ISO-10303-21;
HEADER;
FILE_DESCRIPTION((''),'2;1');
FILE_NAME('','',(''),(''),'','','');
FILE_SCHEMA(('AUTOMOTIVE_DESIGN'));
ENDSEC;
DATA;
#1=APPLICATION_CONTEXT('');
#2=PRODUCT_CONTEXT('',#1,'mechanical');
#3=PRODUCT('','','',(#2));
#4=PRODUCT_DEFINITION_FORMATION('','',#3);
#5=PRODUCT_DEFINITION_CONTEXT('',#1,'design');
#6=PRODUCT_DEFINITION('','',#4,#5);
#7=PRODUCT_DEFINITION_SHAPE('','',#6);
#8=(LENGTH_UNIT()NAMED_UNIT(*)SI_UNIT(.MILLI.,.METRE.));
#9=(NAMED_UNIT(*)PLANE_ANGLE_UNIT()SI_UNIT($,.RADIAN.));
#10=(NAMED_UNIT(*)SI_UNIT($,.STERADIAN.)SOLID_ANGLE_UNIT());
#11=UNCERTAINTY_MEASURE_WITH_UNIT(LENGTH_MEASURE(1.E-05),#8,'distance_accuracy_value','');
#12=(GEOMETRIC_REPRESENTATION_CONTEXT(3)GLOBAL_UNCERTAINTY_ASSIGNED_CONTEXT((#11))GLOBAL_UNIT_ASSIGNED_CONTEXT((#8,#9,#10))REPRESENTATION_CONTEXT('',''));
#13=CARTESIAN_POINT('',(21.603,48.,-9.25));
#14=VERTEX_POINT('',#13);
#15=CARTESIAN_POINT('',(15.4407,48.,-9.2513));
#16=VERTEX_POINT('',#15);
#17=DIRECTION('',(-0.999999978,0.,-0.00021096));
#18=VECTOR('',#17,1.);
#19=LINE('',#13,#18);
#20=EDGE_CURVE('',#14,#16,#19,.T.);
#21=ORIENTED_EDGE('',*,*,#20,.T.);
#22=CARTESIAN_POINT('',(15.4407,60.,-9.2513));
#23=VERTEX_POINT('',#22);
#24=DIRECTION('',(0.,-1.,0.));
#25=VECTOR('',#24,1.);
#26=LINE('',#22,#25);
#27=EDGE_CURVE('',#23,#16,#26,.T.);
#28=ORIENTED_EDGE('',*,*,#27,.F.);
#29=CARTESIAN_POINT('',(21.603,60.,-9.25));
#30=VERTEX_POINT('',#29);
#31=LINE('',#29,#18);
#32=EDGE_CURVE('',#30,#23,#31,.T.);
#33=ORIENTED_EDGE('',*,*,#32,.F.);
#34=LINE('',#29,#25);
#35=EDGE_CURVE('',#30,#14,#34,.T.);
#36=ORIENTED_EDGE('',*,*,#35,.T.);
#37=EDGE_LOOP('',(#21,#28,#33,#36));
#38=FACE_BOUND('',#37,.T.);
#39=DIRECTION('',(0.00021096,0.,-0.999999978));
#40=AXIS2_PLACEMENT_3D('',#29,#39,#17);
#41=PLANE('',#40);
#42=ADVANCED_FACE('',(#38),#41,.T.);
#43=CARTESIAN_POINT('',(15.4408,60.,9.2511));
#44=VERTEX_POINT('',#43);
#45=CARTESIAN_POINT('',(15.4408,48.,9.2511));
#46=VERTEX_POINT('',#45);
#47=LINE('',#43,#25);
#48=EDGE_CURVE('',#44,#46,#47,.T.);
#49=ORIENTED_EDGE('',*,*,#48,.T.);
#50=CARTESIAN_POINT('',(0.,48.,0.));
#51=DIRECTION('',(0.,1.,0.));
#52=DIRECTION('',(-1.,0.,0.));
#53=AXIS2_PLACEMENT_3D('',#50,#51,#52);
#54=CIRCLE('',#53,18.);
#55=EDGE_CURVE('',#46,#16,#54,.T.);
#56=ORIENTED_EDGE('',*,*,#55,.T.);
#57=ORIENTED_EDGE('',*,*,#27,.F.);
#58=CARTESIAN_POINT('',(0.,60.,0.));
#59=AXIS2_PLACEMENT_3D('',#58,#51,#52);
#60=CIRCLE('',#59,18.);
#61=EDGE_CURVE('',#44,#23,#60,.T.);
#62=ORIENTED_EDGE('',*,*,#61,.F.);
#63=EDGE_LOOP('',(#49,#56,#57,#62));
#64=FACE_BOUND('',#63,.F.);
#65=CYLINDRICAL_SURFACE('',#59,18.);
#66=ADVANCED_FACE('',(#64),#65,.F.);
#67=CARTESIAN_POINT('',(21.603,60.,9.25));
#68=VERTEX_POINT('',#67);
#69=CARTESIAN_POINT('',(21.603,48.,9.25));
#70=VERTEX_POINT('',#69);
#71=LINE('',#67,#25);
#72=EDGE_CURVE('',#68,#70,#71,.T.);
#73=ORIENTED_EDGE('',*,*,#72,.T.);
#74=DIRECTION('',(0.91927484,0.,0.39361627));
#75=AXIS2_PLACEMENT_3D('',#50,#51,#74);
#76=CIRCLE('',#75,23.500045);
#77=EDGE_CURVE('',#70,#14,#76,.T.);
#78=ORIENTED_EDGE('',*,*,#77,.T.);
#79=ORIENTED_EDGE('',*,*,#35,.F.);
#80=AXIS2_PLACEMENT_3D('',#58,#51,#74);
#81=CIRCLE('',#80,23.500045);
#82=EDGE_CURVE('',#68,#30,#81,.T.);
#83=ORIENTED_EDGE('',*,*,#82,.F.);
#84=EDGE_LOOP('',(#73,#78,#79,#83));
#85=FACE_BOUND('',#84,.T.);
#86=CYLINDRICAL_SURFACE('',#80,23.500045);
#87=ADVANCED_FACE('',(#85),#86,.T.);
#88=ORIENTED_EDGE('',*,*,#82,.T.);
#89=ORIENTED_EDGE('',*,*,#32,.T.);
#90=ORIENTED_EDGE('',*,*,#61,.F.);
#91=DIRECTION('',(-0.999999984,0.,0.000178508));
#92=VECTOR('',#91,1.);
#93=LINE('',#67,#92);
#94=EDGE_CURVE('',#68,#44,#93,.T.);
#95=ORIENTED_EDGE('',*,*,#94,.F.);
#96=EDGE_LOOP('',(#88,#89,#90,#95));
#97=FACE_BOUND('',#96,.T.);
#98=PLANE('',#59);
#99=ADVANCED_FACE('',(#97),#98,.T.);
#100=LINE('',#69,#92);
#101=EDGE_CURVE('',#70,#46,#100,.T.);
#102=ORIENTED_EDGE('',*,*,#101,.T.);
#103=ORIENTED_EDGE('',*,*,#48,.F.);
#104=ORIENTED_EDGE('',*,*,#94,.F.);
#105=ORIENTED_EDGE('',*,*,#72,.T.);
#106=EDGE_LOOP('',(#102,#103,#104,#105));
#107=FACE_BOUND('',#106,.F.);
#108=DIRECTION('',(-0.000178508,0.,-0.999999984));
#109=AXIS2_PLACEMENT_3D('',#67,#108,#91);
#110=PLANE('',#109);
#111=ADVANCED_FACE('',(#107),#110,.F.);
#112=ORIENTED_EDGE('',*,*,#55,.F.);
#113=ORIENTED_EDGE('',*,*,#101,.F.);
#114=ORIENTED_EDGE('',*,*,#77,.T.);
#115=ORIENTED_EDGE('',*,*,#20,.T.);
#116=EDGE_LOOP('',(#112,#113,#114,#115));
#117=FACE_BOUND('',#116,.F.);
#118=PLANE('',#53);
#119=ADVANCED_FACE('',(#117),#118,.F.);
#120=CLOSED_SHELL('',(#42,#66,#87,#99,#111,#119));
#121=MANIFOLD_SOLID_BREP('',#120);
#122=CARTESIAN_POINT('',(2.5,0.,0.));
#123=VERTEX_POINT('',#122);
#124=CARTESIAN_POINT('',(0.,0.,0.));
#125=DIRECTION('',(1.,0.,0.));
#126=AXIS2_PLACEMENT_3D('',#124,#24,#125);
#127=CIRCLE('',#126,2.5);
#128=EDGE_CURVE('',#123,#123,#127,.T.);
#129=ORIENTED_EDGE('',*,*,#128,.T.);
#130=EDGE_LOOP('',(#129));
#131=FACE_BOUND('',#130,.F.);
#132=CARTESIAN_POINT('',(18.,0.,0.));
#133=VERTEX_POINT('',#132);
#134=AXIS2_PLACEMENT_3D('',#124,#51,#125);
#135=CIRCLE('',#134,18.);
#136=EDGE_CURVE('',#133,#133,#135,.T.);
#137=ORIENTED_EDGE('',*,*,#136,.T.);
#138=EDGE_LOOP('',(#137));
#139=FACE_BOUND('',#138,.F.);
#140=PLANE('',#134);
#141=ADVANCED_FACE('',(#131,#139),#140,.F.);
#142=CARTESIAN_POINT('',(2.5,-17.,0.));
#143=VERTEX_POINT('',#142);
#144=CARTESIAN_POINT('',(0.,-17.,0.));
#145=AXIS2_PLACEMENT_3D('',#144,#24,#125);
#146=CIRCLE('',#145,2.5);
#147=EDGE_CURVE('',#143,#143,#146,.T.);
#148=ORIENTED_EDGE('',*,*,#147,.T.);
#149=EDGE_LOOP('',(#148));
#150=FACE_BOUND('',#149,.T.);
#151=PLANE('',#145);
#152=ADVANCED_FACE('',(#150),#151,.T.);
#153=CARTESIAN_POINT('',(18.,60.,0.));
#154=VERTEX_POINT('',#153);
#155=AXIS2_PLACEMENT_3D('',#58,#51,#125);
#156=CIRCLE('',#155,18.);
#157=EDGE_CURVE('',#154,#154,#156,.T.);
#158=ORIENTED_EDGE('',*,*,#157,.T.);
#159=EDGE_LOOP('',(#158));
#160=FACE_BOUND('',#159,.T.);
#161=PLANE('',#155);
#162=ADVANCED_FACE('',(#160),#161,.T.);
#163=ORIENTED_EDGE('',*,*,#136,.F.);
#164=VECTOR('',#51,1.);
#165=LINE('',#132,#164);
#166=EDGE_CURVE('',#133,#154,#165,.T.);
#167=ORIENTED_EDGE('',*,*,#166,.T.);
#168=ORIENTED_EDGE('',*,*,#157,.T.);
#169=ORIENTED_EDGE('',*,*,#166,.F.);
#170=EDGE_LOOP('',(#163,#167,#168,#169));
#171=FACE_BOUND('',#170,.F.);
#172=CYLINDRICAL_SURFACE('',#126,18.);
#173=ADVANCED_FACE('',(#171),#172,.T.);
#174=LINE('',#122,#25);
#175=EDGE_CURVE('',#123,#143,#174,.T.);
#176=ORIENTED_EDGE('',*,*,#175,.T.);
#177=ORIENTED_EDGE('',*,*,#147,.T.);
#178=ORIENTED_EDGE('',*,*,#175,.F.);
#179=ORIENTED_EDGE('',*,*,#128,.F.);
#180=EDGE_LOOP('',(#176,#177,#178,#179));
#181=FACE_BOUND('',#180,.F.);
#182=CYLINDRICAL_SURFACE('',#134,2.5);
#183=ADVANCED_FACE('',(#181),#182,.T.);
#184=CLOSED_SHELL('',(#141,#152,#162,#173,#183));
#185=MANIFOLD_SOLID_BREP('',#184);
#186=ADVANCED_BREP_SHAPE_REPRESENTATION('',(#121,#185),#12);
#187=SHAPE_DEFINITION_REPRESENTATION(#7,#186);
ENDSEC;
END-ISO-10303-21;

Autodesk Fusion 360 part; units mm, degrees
sketch "Sketch1" plane through (0, 0, 0) normal (0, 1, 0) x (1, 0, 0)
  circle A0 centre (0, 0) radius 18
  dimension "d1" = 36
extrude "Extrude1" add sketch "Sketch1" along normal blind 60 makes body 1
sketch "Sketch2" plane through (0, 0, 0) normal (0, -1, 0) x (1, 0, 0)
  circle A0 centre (0, 0) radius 18
  circle A1 centre (0, 0) radius 2.5
  dimension "d4" = 5
extrude "Extrude2" add sketch "Sketch2" along normal blind 17 contours A1 bodies 1
sketch "Sketch3" plane through (0, 60, 0) normal (0, 1, 0) x (-1, 0, 0)
  circle A0 centre (0, 0) radius 18
  arc A1 (-21.603, 9.25) -> (-21.603, -9.25) centre (0, 0) ccw
  line L0 (-21.603, -9.25) -> (-15.4407, -9.2513)
  line L1 (-21.603, 9.25) -> (-15.4408, 9.2511)
  dimension "d7" = 23.5
  dimension "d8" = 18.5
  dimension "d9" = 6.1623
  dimension "d10" = 6.1622
extrude "Extrude3" add sketch "Sketch3" against normal blind 12 separate body contours A0 A1 L0 L1 makes body 2
